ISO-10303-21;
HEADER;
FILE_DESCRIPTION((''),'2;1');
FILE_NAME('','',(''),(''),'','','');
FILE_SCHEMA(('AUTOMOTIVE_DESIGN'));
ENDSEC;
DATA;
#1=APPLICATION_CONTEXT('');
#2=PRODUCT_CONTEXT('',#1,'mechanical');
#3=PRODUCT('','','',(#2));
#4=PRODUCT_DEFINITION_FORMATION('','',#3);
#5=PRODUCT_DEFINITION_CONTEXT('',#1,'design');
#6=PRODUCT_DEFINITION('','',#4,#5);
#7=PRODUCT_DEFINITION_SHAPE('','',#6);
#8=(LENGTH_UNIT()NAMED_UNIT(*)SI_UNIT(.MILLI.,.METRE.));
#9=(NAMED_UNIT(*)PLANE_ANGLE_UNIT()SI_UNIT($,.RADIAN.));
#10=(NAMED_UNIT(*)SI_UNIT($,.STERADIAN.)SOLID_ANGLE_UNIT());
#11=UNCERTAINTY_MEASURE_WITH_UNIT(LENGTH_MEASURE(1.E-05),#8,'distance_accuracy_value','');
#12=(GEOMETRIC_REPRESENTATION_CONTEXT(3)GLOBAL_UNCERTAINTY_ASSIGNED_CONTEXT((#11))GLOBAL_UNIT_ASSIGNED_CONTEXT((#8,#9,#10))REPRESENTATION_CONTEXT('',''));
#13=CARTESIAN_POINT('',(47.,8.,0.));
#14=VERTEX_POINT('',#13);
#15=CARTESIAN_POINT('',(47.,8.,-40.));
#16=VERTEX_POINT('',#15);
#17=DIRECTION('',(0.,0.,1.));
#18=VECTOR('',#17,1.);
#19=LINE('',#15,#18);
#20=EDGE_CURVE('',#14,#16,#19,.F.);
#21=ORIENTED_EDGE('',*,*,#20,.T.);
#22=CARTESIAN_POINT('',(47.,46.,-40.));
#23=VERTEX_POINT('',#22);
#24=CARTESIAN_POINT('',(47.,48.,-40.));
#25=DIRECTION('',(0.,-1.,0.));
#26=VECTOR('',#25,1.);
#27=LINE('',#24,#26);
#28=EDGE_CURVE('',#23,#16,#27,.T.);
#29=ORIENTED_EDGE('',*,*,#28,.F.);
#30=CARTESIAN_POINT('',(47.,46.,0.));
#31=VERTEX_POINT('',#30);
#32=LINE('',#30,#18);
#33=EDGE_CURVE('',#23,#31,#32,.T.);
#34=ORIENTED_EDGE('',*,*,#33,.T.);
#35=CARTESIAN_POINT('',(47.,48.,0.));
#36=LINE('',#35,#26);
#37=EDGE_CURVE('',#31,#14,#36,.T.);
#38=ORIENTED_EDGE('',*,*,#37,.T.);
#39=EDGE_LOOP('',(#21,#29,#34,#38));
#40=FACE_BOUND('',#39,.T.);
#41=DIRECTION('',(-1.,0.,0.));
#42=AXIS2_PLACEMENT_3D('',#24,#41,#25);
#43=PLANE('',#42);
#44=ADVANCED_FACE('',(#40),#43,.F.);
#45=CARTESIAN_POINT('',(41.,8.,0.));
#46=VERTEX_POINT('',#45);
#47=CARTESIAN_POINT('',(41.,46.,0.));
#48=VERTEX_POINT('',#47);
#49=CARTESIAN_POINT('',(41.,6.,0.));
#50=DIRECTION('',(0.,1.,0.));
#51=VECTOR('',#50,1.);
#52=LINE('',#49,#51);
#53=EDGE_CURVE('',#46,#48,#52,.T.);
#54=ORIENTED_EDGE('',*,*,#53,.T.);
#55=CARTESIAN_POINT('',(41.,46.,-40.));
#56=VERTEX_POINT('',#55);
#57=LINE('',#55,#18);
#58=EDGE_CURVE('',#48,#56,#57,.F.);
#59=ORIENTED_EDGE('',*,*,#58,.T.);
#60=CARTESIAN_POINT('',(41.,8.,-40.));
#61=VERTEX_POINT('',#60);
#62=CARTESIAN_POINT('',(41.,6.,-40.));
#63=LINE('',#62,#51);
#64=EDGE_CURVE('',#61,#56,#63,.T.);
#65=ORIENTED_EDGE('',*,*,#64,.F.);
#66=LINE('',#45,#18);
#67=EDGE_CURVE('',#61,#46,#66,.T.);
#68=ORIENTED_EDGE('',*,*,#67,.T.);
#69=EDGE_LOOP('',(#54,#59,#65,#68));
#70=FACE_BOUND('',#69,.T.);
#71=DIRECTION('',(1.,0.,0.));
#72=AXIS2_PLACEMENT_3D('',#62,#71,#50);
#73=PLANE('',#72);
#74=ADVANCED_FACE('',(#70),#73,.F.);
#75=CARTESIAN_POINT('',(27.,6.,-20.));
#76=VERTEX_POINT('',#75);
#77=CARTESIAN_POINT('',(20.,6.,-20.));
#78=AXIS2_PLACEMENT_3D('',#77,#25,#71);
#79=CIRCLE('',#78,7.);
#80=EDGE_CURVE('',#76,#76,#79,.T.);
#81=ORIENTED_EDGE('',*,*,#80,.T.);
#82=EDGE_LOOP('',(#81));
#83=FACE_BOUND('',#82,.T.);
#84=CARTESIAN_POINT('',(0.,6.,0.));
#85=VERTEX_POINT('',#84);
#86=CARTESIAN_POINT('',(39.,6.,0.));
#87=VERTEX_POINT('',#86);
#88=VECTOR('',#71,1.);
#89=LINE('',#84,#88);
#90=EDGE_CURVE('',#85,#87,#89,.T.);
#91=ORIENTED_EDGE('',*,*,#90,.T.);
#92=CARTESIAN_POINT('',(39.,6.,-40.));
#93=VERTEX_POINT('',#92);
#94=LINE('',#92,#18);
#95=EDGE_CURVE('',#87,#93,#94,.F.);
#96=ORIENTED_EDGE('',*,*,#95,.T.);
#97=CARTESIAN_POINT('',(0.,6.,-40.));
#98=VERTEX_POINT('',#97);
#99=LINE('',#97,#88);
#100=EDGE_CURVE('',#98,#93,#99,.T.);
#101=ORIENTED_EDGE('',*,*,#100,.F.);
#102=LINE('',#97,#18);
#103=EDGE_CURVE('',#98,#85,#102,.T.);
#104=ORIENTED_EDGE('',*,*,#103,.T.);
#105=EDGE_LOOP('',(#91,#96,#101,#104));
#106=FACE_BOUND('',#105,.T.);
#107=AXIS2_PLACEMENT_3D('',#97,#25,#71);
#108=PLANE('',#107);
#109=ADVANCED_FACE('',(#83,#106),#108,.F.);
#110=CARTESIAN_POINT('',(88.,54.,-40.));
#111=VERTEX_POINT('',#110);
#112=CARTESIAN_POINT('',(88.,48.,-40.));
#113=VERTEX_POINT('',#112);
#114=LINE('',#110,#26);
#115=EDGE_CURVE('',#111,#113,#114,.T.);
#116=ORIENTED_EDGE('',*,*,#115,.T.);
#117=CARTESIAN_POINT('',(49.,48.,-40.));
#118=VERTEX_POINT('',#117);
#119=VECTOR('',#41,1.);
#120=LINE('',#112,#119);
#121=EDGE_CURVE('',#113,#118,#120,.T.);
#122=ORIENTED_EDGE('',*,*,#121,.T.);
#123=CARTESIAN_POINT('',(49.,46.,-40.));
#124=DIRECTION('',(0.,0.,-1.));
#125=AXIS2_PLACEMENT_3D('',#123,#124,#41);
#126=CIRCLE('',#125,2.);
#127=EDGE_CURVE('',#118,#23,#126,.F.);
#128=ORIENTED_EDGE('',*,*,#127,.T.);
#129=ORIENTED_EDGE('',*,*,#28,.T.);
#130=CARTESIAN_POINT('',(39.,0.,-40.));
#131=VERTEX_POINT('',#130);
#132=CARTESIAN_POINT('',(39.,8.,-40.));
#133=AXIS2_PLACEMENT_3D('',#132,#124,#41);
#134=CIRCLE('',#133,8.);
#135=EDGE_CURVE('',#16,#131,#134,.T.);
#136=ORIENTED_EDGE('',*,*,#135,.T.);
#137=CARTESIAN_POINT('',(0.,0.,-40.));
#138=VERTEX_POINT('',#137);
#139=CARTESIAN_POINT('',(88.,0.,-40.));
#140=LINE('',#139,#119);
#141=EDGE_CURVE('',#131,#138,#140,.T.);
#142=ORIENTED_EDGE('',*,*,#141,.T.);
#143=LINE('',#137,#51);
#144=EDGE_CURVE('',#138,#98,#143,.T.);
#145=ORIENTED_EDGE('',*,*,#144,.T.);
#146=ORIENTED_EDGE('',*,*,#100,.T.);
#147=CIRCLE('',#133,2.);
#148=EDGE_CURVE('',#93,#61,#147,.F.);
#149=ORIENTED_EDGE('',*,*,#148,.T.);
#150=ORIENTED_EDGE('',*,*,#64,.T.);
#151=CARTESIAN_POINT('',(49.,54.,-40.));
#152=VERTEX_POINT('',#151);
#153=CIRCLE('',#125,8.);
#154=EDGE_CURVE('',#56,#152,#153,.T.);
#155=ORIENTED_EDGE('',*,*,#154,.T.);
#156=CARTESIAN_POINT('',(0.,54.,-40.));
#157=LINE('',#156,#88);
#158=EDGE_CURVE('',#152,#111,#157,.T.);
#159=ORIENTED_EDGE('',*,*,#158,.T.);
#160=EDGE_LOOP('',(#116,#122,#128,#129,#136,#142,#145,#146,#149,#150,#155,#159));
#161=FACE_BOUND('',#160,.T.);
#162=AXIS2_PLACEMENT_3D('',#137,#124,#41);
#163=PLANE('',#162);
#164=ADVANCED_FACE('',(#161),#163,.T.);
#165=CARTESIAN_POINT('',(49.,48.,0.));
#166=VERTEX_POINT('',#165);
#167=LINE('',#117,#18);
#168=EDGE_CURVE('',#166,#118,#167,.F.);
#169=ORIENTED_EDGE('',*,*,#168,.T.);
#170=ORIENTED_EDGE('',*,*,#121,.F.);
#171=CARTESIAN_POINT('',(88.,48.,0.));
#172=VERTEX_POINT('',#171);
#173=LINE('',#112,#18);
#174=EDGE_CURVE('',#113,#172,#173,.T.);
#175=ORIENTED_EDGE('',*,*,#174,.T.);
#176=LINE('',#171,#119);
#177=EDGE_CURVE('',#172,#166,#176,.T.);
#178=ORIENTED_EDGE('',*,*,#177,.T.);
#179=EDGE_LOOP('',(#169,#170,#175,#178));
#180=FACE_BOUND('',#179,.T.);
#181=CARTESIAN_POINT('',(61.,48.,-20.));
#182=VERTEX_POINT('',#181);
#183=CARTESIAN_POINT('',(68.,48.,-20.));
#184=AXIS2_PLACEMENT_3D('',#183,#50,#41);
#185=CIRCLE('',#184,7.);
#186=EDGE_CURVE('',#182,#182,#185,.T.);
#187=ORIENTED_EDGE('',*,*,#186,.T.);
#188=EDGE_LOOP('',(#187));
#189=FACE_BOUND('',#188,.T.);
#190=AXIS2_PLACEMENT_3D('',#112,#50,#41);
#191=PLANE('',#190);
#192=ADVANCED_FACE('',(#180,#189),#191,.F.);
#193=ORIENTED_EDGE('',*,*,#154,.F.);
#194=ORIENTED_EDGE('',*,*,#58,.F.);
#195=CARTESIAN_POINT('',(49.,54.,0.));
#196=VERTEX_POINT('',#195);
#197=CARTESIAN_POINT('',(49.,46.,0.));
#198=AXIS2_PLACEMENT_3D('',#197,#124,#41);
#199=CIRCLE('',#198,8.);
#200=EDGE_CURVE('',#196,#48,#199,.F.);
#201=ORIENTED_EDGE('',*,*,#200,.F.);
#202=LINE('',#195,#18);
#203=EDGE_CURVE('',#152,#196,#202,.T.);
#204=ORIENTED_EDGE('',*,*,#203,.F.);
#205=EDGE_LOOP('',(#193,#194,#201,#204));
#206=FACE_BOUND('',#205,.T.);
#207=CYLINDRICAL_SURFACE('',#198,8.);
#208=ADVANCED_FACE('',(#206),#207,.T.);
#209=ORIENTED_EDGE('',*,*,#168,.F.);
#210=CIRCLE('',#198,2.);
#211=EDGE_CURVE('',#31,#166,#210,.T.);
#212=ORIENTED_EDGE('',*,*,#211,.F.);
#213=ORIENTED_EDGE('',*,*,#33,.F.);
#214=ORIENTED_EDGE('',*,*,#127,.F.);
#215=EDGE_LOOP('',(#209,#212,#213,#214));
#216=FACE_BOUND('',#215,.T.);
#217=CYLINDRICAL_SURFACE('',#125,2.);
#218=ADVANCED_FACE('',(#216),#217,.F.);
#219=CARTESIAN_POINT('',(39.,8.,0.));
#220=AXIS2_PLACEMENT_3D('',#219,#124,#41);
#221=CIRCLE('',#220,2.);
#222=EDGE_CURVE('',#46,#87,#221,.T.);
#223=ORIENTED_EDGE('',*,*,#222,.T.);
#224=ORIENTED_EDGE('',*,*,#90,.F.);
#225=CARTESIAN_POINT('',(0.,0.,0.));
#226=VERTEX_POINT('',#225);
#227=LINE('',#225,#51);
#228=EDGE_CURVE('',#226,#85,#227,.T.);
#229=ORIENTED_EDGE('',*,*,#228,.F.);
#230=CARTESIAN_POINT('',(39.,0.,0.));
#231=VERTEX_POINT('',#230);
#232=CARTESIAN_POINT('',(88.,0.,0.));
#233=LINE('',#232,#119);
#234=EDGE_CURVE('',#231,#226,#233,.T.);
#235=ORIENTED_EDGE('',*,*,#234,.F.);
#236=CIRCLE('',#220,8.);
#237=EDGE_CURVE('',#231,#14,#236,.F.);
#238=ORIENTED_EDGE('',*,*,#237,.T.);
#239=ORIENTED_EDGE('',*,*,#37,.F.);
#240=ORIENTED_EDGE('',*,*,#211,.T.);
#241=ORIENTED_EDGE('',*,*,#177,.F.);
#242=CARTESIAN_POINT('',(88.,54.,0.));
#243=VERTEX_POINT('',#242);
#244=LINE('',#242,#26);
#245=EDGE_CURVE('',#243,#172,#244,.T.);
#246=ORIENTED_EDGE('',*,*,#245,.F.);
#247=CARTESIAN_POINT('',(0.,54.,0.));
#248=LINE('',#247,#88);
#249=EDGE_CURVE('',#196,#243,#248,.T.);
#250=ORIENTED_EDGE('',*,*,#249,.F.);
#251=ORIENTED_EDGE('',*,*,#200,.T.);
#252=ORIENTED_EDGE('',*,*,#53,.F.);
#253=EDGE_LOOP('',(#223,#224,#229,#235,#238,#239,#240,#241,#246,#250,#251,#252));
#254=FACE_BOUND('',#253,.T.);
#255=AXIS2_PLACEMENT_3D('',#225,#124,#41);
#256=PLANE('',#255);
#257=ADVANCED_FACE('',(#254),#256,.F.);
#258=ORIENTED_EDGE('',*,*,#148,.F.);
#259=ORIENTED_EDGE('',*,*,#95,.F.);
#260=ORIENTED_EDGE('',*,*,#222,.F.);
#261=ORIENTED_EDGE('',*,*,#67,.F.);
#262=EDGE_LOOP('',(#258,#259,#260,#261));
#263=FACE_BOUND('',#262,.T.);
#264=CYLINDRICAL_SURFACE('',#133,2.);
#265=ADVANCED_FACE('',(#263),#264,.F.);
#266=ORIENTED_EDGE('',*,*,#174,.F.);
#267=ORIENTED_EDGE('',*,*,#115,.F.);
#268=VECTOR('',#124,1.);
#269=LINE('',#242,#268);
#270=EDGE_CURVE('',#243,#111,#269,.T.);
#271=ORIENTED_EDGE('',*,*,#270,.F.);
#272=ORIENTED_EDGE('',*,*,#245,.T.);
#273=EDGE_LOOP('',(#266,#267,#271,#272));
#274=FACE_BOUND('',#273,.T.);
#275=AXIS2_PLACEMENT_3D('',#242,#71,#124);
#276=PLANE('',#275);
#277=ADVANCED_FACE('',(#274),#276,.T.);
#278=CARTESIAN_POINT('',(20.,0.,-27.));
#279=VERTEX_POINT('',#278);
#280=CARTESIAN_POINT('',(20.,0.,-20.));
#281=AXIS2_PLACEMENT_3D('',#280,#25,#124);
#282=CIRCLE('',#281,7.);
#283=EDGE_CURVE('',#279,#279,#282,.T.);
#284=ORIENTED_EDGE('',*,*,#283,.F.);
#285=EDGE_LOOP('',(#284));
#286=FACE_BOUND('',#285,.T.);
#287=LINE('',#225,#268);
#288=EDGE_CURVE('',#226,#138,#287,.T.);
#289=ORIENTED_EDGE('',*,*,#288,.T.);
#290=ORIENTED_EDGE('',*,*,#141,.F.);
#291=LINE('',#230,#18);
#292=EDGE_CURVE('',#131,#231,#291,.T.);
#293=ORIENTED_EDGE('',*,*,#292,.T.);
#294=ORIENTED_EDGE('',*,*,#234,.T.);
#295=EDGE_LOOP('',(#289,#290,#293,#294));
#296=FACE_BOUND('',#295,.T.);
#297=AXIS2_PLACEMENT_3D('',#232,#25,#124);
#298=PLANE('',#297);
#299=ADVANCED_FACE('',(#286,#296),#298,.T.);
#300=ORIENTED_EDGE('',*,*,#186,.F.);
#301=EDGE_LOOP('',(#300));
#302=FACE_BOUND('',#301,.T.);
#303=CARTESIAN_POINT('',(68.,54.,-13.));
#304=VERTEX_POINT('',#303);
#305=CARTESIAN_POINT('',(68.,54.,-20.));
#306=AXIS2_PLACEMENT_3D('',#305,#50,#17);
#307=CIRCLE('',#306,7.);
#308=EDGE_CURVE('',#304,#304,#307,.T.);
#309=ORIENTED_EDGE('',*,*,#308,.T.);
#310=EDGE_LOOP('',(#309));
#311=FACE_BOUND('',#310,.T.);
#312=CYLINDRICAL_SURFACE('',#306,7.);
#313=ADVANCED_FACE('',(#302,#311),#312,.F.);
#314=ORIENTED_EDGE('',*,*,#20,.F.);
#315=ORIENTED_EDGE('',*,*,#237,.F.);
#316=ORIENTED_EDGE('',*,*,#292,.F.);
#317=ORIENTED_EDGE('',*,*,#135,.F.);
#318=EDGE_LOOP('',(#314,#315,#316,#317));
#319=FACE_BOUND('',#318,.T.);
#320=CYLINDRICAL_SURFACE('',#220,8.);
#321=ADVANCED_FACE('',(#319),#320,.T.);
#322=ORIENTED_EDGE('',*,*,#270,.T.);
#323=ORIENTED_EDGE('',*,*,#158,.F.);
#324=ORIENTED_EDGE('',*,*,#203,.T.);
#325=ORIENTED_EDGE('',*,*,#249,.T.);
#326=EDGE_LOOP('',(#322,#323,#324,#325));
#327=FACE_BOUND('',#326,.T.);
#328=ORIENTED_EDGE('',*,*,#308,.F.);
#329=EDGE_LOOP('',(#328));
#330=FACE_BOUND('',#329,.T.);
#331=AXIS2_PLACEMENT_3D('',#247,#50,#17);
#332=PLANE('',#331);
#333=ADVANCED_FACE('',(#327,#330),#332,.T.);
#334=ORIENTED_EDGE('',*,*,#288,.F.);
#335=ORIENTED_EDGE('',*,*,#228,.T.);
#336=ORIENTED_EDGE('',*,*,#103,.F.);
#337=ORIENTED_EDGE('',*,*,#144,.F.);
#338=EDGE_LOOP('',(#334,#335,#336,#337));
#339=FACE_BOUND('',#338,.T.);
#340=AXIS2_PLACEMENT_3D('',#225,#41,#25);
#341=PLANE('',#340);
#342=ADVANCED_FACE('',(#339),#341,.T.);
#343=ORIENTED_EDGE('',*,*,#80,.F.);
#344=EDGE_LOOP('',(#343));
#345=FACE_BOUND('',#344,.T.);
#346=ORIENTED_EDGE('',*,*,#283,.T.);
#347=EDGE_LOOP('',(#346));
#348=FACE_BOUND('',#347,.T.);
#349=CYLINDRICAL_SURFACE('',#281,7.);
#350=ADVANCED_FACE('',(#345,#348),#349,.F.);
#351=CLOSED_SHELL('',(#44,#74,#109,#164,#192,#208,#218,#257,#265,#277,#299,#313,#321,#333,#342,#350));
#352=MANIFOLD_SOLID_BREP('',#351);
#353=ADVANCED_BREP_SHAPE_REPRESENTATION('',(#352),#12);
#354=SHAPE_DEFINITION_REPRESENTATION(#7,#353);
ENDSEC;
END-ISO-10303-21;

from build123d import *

# Parameters (mm, degrees)
SKETCH1_W                      = 88
SKETCH1_H                      = 54
BOSS_EXTRUDE1_DEPTH            = 40
SKETCH2_W                      = 41
SKETCH2_H                      = 48
CUT_EXTRUDE1_DEPTH             = 41
SKETCH3_W                      = 41
SKETCH3_H                      = 48
CUT_EXTRUDE2_DEPTH             = 41
F_14_0_14_DIAMETER_HOLE1_D     = 14
F_14_0_14_DIAMETER_HOLE1_DEPTH = 54
F_14_0_14_DIAMETER_HOLE2_D     = 14
F_14_0_14_DIAMETER_HOLE2_DEPTH = 54
FILLET1_R                      = 2
FILLET2_R                      = 8


with BuildPart() as part:
    # Sketch1 → Boss-Extrude1 (new body)
    with BuildSketch(Plane(origin=(0, 0, -40), x_dir=(-1, 0, 0), z_dir=(0, 0, -1))):
        with Locations((-44, 27)):
            Rectangle(SKETCH1_W, SKETCH1_H)
    extrude(amount=-BOSS_EXTRUDE1_DEPTH)

    # Sketch2 → Cut-Extrude1 (cut, through all)
    with BuildSketch(Plane.XY):
        with Locations((20.5, 30)):
            Rectangle(SKETCH2_W, SKETCH2_H)
    extrude(amount=-CUT_EXTRUDE1_DEPTH, mode=Mode.SUBTRACT)

    # Sketch3 → Cut-Extrude2 (cut, through all)
    with BuildSketch(Plane.XY):
        with Locations((67.5, 24)):
            Rectangle(SKETCH3_W, SKETCH3_H)
    extrude(amount=-CUT_EXTRUDE2_DEPTH, mode=Mode.SUBTRACT)

    # Ø14.0 (14) Diameter Hole1
    with Locations(Plane(origin=(0, 0, 0), x_dir=(-1, 0, 0), z_dir=(0, -1, 0))):
        with Locations((-20, 20)):
            Hole(F_14_0_14_DIAMETER_HOLE1_D / 2, depth=F_14_0_14_DIAMETER_HOLE1_DEPTH)

    # Ø14.0 (14) Diameter Hole2
    with Locations(Plane(origin=(0, 54, 0), x_dir=(1, 0, 0), z_dir=(0, 1, 0))):
        with Locations((68, 20)):
            Hole(F_14_0_14_DIAMETER_HOLE2_D / 2, depth=F_14_0_14_DIAMETER_HOLE2_DEPTH)

    # Fillet1
    fillet1_edges = [part.edges().sort_by_distance(p)[0] for p in [
        (41, 6, -20),
        (47, 48, -20),
    ]]
    fillet(fillet1_edges, radius=FILLET1_R)

    # Fillet2
    fillet2_edges = [part.edges().sort_by_distance(p)[0] for p in [
        (41, 54, -20),
        (47, 0, -20),
    ]]
    fillet(fillet2_edges, radius=FILLET2_R)


solid = part.part
